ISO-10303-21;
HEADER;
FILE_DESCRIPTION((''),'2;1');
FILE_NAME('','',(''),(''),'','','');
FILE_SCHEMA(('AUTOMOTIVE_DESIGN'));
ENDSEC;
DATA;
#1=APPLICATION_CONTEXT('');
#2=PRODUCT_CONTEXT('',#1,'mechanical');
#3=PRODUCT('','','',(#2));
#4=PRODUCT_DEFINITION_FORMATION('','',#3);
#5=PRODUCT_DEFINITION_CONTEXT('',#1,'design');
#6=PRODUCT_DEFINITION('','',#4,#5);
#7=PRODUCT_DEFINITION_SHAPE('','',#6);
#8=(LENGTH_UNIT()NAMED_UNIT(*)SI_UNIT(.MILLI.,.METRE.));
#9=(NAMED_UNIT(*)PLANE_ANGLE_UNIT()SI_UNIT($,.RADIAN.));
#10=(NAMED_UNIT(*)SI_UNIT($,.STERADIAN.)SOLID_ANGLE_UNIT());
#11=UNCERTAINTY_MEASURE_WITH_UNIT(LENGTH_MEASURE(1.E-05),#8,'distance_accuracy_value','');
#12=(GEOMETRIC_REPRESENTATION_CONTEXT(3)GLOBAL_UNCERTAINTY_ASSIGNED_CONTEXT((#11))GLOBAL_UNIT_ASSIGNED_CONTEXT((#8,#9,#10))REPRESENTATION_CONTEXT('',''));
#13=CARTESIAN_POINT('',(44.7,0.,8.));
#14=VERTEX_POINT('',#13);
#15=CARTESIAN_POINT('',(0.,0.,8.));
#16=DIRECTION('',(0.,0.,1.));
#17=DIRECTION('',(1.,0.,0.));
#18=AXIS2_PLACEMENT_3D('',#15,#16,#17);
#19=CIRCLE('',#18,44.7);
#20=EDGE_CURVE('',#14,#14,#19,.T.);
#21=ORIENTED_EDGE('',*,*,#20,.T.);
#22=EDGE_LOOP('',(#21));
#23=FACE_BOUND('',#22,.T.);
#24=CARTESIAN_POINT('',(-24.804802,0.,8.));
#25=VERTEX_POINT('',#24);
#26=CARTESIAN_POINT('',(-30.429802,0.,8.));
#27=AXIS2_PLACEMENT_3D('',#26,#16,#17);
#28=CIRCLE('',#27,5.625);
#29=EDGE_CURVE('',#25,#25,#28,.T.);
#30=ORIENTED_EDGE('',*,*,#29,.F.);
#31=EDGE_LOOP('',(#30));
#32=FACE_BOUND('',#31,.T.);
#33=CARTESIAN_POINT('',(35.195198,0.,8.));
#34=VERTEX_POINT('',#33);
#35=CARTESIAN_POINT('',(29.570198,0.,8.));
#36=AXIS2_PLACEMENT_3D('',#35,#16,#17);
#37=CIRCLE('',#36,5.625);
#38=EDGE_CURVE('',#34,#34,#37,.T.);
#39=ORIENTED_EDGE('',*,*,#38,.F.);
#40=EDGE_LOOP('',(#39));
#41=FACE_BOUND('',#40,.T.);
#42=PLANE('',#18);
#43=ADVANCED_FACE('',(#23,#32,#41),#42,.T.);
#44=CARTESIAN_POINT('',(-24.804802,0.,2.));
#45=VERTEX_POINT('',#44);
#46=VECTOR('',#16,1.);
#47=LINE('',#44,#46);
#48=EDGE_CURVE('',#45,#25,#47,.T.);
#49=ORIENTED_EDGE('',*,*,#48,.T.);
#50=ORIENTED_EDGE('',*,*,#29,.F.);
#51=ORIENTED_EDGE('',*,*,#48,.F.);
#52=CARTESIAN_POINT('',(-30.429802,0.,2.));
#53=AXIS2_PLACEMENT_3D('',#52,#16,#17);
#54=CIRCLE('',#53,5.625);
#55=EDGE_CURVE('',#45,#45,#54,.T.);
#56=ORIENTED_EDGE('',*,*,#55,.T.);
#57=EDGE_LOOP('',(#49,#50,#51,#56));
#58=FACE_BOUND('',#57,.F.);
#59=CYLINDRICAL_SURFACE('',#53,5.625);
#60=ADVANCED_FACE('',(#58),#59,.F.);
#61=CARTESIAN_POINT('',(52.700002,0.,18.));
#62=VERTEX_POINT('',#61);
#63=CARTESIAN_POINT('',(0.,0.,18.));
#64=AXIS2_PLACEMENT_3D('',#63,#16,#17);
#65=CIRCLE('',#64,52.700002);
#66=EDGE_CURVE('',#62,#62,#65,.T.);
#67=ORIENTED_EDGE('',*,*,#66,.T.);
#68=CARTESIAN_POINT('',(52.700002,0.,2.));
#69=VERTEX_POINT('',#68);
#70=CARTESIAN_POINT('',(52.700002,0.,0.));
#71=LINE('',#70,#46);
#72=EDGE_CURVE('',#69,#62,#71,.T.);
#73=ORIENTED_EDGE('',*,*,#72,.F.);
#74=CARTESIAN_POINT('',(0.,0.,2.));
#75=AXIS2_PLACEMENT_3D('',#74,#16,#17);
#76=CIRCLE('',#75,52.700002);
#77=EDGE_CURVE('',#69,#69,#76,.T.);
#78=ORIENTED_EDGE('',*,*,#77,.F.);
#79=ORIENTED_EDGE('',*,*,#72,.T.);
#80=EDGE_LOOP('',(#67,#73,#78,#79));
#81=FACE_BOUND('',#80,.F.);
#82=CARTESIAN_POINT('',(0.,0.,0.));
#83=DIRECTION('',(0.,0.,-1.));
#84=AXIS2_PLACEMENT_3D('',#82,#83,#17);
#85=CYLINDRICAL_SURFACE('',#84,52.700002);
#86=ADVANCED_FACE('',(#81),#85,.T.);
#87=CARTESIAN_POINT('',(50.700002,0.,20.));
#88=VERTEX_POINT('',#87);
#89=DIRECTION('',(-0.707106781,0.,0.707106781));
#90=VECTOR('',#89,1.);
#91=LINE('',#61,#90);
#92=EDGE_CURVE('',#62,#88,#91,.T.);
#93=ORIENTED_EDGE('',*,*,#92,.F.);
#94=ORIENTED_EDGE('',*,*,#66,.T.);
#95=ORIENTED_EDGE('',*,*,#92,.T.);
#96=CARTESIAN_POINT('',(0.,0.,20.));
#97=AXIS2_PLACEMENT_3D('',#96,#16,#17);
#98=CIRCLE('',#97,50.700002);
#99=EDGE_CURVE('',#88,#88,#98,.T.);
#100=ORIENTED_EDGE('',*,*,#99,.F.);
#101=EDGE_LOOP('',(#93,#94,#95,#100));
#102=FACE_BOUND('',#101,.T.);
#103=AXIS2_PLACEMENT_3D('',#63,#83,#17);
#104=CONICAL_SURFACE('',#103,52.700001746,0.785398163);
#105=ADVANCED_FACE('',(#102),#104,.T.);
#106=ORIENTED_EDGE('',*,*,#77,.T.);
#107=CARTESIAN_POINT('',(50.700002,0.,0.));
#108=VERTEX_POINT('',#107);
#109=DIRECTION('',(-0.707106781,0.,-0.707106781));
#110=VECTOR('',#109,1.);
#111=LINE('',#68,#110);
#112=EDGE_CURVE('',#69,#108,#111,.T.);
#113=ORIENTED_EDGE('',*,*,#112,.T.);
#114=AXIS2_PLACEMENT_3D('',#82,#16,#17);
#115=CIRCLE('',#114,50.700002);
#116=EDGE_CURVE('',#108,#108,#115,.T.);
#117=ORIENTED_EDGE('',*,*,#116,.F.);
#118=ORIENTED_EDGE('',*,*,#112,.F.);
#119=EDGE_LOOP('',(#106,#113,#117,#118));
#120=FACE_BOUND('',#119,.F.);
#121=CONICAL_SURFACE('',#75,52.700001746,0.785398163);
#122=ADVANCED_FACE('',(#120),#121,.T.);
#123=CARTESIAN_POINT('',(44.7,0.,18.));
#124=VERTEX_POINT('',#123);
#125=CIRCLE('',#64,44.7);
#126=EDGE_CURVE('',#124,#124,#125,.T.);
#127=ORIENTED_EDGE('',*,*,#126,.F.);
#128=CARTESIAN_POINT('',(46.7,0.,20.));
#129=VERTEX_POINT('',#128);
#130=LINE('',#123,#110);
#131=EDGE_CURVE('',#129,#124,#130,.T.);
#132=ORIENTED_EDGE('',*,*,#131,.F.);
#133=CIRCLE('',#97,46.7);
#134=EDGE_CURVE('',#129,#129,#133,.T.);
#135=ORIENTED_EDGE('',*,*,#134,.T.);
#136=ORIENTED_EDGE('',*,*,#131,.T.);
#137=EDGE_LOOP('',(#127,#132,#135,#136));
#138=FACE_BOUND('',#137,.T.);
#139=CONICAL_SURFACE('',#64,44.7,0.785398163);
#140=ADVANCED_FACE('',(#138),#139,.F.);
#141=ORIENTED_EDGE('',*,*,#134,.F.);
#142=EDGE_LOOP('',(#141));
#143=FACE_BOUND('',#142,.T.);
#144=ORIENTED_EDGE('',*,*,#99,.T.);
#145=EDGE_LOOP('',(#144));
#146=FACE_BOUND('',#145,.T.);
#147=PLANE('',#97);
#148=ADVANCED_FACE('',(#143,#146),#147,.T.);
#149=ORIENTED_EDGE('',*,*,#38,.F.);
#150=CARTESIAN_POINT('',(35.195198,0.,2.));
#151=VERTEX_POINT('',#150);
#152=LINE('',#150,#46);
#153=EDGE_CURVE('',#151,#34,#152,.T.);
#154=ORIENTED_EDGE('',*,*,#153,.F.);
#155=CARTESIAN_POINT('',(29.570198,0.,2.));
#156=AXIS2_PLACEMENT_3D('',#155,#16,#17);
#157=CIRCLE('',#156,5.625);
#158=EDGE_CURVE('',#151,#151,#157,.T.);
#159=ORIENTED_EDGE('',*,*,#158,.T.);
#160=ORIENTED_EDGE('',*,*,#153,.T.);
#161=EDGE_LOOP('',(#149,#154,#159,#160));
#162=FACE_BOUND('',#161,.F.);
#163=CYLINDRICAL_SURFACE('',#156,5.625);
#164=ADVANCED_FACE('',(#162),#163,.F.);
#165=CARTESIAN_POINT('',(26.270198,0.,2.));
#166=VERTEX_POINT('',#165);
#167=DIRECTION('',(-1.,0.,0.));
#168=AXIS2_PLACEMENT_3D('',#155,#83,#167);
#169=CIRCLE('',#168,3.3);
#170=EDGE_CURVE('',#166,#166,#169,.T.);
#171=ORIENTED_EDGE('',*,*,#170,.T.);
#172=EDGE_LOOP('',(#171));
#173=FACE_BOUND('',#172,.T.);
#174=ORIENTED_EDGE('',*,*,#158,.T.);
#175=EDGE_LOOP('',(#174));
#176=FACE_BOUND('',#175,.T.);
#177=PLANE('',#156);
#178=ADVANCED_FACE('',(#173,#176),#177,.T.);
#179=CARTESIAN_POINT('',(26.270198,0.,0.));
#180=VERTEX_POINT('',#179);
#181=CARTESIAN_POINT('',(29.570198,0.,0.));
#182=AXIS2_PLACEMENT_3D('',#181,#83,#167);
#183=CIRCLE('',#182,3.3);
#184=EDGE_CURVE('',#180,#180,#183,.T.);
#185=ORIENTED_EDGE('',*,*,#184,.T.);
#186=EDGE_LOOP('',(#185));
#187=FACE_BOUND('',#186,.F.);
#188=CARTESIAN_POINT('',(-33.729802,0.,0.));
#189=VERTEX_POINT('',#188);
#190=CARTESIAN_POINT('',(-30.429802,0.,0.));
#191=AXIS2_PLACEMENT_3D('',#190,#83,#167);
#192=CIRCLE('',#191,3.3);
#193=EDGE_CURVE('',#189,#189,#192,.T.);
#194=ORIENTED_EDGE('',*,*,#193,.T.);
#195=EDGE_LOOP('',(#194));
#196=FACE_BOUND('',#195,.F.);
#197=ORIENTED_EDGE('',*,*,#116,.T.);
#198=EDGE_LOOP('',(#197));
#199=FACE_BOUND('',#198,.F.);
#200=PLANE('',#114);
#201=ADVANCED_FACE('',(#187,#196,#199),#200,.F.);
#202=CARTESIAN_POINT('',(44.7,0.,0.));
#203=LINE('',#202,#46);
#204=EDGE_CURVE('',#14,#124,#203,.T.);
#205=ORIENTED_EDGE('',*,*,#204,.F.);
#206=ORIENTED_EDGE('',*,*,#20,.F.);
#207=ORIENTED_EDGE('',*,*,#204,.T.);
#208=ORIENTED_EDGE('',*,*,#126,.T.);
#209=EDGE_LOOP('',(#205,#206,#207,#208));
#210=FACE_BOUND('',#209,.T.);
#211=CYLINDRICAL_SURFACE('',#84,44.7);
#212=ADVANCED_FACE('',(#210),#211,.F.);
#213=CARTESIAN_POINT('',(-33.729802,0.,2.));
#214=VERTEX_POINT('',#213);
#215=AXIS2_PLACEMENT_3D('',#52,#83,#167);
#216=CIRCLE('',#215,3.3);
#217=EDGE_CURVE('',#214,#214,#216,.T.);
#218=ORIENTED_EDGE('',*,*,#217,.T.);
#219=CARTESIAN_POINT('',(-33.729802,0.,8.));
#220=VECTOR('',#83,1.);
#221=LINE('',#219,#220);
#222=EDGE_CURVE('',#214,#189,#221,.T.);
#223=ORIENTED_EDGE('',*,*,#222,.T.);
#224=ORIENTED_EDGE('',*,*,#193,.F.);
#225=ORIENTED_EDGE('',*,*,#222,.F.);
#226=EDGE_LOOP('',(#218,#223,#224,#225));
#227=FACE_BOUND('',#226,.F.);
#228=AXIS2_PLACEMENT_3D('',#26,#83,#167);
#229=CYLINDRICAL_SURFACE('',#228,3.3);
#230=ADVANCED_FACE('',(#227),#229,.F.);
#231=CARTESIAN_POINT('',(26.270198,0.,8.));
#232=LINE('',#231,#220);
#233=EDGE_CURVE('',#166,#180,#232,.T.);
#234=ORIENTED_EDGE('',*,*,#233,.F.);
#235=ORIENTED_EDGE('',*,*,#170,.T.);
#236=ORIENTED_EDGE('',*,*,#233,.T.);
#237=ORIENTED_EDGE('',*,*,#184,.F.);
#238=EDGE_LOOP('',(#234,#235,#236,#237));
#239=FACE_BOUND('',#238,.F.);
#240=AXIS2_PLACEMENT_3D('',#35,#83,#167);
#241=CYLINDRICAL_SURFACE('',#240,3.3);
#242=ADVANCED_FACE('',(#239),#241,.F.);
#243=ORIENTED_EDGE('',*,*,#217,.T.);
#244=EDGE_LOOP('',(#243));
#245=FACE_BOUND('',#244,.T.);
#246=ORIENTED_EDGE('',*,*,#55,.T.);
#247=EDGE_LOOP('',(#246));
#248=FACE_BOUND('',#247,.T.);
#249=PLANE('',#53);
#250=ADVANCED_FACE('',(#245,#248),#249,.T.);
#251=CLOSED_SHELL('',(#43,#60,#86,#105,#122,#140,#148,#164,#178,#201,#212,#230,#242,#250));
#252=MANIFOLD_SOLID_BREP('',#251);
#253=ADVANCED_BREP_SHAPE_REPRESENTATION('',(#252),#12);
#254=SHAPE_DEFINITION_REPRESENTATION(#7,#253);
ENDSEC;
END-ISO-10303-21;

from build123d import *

# Parameters (mm, degrees)
F0_R           = 44.7
F1_DEPTH       = 8
F0_R_2         = 52.7000017464
F2_DEPTH       = 20
F4_D           = 6.6
F4_CBORE_D     = 11.25
F4_CBORE_DEPTH = 6
F5_SIZE        = 2


with BuildPart() as f1:
    # F0 (on Top) → F1 (new body)
    with BuildSketch(Plane.XY):
        Circle(F0_R)
    extrude(amount=F1_DEPTH)

    # F0 (on Top) → F2 (join)
    with BuildSketch(Plane.XY):
        Circle(F0_R_2)
        Circle(F0_R, mode=Mode.SUBTRACT)
    extrude(amount=F2_DEPTH)

    # F4 (through all)
    with Locations(Plane.XY.offset(8)):
        with Locations((-30.4298021065, 0), (29.5701978935, 0)):
            CounterBoreHole(F4_D / 2, F4_CBORE_D / 2, F4_CBORE_DEPTH)

    # F5
    f5_edges = [f1.edges().sort_by_distance(p)[0] for p in [
        (-52.700002, 0, 0),
        (-52.700002, 0, 20),
        (-44.7, 0, 20),
    ]]
    chamfer(f5_edges, length=F5_SIZE)


solid = f1.part
